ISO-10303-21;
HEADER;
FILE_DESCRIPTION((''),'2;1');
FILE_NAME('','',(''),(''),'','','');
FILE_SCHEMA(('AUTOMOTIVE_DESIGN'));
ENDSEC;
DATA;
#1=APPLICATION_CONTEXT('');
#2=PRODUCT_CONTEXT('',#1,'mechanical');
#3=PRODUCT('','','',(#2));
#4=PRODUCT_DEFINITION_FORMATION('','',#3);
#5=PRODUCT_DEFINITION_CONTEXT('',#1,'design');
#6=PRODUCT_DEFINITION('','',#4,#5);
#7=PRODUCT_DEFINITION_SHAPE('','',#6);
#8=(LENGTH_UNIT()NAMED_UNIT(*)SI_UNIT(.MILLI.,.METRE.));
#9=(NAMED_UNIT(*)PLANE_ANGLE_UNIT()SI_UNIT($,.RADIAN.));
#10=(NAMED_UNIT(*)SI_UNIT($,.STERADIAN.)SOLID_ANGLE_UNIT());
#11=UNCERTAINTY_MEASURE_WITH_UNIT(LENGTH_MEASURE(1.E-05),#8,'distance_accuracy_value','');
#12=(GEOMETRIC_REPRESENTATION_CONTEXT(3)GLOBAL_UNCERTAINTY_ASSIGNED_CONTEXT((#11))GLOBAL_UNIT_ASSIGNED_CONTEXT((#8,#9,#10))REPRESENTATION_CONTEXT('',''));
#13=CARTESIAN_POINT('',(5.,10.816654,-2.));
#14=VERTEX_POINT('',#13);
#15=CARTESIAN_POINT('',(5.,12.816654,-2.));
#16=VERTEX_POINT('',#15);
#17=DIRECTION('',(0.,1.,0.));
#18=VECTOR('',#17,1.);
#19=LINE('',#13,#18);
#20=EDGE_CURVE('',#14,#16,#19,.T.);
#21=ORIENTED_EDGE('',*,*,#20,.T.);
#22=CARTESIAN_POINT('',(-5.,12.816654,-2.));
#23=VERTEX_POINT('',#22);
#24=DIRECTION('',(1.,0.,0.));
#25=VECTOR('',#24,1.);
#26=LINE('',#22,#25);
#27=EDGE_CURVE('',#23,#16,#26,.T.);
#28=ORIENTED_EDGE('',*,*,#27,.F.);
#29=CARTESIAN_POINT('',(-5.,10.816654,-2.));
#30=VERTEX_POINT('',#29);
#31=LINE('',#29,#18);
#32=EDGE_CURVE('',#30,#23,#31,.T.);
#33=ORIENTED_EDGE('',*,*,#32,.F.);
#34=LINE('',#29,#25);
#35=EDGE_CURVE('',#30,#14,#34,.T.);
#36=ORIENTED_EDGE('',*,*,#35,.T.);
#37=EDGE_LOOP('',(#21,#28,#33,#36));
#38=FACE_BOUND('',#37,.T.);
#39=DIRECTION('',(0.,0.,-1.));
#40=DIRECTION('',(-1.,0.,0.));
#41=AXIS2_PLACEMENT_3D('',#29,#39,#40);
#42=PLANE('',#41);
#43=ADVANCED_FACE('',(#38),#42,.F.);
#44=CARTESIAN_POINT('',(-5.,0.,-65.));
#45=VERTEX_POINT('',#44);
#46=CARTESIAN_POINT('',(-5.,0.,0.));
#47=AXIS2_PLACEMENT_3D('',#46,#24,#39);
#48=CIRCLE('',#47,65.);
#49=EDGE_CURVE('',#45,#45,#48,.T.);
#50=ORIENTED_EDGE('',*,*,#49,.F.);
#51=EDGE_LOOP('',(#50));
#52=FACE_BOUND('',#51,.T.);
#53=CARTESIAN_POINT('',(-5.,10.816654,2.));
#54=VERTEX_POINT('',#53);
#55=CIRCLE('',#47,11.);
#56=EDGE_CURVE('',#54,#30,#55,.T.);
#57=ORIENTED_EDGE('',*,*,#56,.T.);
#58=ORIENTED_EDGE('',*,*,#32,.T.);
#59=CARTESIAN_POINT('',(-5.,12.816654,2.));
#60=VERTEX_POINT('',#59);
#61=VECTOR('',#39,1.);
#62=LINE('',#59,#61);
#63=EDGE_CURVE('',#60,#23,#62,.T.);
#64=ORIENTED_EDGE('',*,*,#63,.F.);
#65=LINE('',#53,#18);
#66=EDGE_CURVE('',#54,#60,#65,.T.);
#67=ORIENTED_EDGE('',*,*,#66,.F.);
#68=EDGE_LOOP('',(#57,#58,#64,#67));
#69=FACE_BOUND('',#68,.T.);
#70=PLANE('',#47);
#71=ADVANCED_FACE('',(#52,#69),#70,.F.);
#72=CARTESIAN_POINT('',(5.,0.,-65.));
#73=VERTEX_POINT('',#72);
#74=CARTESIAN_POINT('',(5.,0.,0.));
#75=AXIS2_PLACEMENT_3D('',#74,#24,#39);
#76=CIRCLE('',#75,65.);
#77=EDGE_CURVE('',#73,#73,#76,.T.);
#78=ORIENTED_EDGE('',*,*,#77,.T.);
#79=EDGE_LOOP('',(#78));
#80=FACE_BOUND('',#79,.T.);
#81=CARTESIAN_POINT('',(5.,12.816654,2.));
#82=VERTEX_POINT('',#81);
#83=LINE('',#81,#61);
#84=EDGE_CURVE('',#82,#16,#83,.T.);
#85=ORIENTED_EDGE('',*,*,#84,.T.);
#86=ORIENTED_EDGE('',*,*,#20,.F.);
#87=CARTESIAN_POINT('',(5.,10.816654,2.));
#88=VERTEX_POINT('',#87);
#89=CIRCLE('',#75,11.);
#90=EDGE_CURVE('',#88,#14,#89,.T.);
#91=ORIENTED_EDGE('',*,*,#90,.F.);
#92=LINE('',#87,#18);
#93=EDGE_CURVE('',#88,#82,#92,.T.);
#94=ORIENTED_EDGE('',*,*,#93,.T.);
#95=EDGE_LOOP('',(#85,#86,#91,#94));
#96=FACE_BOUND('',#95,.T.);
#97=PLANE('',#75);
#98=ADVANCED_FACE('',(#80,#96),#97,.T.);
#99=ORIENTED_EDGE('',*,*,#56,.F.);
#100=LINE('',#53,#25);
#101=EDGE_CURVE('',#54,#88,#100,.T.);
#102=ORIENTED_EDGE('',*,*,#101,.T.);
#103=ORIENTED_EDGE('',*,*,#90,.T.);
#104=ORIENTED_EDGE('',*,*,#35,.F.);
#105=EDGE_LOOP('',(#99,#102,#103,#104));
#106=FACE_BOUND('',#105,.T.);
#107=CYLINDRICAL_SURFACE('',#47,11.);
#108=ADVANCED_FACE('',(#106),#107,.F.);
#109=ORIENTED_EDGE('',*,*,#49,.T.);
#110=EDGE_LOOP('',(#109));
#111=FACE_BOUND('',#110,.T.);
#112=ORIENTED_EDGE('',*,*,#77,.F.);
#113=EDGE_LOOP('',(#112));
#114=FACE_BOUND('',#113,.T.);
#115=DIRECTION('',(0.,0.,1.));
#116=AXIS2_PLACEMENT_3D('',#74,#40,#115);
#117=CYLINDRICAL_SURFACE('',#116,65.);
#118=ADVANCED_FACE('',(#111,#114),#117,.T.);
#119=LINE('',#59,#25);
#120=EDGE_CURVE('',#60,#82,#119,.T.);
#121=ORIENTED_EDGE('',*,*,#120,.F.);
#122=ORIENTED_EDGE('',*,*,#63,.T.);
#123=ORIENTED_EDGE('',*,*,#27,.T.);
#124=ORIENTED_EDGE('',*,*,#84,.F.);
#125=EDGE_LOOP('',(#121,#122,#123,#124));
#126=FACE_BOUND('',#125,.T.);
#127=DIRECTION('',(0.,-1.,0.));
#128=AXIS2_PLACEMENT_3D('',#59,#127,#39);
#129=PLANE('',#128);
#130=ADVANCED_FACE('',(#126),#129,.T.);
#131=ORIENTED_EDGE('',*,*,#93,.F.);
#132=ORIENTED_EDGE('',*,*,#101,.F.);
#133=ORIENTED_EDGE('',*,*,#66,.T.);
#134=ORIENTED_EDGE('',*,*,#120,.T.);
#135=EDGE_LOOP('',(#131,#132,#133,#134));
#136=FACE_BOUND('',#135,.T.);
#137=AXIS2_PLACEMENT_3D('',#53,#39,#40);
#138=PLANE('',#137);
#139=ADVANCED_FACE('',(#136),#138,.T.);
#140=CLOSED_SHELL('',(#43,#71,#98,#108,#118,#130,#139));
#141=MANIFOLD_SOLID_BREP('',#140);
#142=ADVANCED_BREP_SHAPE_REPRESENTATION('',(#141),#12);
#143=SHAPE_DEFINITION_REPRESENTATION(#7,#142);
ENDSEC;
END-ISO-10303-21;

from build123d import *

# Parameters (mm, degrees)
SKETCH1_R           = 65
BOSS_EXTRUDE1_DEPTH = 5
SKETCH3_R           = 11
CUT_EXTRUDE2_DEPTH  = 93.466210045
CUT_EXTRUDE5_DEPTH  = 93.466210045


with BuildPart() as part:
    # Sketch1 → Boss-Extrude1 (new, symmetric)
    with BuildSketch(Plane(origin=(0, 0, 0), x_dir=(0, 0, -1), z_dir=(1, 0, 0))):
        Circle(SKETCH1_R)
    extrude(amount=BOSS_EXTRUDE1_DEPTH, both=True)

    # Sketch3 → Cut-Extrude2 (cut, through all)
    with BuildSketch(Plane(origin=(5, 0, 0), x_dir=(0, 0, -1), z_dir=(1, 0, 0))):
        Circle(SKETCH3_R)
    extrude(amount=-CUT_EXTRUDE2_DEPTH, mode=Mode.SUBTRACT)

    # Sketch5 → Cut-Extrude5 (cut, through all)
    with BuildSketch(Plane(origin=(5, 0, 0), x_dir=(0, 0, -1), z_dir=(1, 0, 0))):
        with BuildLine():
            Line((-2, 10.816653826), (-2, 12.816653826))
            Line((-2, 12.816653826), (2, 12.816653826))
            Line((2, 12.816653826), (2, 10.816653826))
            ThreePointArc((2, 10.816653826), (0, 11), (-2, 10.816653826))
        make_face()
    extrude(amount=-CUT_EXTRUDE5_DEPTH, mode=Mode.SUBTRACT)


solid = part.part
